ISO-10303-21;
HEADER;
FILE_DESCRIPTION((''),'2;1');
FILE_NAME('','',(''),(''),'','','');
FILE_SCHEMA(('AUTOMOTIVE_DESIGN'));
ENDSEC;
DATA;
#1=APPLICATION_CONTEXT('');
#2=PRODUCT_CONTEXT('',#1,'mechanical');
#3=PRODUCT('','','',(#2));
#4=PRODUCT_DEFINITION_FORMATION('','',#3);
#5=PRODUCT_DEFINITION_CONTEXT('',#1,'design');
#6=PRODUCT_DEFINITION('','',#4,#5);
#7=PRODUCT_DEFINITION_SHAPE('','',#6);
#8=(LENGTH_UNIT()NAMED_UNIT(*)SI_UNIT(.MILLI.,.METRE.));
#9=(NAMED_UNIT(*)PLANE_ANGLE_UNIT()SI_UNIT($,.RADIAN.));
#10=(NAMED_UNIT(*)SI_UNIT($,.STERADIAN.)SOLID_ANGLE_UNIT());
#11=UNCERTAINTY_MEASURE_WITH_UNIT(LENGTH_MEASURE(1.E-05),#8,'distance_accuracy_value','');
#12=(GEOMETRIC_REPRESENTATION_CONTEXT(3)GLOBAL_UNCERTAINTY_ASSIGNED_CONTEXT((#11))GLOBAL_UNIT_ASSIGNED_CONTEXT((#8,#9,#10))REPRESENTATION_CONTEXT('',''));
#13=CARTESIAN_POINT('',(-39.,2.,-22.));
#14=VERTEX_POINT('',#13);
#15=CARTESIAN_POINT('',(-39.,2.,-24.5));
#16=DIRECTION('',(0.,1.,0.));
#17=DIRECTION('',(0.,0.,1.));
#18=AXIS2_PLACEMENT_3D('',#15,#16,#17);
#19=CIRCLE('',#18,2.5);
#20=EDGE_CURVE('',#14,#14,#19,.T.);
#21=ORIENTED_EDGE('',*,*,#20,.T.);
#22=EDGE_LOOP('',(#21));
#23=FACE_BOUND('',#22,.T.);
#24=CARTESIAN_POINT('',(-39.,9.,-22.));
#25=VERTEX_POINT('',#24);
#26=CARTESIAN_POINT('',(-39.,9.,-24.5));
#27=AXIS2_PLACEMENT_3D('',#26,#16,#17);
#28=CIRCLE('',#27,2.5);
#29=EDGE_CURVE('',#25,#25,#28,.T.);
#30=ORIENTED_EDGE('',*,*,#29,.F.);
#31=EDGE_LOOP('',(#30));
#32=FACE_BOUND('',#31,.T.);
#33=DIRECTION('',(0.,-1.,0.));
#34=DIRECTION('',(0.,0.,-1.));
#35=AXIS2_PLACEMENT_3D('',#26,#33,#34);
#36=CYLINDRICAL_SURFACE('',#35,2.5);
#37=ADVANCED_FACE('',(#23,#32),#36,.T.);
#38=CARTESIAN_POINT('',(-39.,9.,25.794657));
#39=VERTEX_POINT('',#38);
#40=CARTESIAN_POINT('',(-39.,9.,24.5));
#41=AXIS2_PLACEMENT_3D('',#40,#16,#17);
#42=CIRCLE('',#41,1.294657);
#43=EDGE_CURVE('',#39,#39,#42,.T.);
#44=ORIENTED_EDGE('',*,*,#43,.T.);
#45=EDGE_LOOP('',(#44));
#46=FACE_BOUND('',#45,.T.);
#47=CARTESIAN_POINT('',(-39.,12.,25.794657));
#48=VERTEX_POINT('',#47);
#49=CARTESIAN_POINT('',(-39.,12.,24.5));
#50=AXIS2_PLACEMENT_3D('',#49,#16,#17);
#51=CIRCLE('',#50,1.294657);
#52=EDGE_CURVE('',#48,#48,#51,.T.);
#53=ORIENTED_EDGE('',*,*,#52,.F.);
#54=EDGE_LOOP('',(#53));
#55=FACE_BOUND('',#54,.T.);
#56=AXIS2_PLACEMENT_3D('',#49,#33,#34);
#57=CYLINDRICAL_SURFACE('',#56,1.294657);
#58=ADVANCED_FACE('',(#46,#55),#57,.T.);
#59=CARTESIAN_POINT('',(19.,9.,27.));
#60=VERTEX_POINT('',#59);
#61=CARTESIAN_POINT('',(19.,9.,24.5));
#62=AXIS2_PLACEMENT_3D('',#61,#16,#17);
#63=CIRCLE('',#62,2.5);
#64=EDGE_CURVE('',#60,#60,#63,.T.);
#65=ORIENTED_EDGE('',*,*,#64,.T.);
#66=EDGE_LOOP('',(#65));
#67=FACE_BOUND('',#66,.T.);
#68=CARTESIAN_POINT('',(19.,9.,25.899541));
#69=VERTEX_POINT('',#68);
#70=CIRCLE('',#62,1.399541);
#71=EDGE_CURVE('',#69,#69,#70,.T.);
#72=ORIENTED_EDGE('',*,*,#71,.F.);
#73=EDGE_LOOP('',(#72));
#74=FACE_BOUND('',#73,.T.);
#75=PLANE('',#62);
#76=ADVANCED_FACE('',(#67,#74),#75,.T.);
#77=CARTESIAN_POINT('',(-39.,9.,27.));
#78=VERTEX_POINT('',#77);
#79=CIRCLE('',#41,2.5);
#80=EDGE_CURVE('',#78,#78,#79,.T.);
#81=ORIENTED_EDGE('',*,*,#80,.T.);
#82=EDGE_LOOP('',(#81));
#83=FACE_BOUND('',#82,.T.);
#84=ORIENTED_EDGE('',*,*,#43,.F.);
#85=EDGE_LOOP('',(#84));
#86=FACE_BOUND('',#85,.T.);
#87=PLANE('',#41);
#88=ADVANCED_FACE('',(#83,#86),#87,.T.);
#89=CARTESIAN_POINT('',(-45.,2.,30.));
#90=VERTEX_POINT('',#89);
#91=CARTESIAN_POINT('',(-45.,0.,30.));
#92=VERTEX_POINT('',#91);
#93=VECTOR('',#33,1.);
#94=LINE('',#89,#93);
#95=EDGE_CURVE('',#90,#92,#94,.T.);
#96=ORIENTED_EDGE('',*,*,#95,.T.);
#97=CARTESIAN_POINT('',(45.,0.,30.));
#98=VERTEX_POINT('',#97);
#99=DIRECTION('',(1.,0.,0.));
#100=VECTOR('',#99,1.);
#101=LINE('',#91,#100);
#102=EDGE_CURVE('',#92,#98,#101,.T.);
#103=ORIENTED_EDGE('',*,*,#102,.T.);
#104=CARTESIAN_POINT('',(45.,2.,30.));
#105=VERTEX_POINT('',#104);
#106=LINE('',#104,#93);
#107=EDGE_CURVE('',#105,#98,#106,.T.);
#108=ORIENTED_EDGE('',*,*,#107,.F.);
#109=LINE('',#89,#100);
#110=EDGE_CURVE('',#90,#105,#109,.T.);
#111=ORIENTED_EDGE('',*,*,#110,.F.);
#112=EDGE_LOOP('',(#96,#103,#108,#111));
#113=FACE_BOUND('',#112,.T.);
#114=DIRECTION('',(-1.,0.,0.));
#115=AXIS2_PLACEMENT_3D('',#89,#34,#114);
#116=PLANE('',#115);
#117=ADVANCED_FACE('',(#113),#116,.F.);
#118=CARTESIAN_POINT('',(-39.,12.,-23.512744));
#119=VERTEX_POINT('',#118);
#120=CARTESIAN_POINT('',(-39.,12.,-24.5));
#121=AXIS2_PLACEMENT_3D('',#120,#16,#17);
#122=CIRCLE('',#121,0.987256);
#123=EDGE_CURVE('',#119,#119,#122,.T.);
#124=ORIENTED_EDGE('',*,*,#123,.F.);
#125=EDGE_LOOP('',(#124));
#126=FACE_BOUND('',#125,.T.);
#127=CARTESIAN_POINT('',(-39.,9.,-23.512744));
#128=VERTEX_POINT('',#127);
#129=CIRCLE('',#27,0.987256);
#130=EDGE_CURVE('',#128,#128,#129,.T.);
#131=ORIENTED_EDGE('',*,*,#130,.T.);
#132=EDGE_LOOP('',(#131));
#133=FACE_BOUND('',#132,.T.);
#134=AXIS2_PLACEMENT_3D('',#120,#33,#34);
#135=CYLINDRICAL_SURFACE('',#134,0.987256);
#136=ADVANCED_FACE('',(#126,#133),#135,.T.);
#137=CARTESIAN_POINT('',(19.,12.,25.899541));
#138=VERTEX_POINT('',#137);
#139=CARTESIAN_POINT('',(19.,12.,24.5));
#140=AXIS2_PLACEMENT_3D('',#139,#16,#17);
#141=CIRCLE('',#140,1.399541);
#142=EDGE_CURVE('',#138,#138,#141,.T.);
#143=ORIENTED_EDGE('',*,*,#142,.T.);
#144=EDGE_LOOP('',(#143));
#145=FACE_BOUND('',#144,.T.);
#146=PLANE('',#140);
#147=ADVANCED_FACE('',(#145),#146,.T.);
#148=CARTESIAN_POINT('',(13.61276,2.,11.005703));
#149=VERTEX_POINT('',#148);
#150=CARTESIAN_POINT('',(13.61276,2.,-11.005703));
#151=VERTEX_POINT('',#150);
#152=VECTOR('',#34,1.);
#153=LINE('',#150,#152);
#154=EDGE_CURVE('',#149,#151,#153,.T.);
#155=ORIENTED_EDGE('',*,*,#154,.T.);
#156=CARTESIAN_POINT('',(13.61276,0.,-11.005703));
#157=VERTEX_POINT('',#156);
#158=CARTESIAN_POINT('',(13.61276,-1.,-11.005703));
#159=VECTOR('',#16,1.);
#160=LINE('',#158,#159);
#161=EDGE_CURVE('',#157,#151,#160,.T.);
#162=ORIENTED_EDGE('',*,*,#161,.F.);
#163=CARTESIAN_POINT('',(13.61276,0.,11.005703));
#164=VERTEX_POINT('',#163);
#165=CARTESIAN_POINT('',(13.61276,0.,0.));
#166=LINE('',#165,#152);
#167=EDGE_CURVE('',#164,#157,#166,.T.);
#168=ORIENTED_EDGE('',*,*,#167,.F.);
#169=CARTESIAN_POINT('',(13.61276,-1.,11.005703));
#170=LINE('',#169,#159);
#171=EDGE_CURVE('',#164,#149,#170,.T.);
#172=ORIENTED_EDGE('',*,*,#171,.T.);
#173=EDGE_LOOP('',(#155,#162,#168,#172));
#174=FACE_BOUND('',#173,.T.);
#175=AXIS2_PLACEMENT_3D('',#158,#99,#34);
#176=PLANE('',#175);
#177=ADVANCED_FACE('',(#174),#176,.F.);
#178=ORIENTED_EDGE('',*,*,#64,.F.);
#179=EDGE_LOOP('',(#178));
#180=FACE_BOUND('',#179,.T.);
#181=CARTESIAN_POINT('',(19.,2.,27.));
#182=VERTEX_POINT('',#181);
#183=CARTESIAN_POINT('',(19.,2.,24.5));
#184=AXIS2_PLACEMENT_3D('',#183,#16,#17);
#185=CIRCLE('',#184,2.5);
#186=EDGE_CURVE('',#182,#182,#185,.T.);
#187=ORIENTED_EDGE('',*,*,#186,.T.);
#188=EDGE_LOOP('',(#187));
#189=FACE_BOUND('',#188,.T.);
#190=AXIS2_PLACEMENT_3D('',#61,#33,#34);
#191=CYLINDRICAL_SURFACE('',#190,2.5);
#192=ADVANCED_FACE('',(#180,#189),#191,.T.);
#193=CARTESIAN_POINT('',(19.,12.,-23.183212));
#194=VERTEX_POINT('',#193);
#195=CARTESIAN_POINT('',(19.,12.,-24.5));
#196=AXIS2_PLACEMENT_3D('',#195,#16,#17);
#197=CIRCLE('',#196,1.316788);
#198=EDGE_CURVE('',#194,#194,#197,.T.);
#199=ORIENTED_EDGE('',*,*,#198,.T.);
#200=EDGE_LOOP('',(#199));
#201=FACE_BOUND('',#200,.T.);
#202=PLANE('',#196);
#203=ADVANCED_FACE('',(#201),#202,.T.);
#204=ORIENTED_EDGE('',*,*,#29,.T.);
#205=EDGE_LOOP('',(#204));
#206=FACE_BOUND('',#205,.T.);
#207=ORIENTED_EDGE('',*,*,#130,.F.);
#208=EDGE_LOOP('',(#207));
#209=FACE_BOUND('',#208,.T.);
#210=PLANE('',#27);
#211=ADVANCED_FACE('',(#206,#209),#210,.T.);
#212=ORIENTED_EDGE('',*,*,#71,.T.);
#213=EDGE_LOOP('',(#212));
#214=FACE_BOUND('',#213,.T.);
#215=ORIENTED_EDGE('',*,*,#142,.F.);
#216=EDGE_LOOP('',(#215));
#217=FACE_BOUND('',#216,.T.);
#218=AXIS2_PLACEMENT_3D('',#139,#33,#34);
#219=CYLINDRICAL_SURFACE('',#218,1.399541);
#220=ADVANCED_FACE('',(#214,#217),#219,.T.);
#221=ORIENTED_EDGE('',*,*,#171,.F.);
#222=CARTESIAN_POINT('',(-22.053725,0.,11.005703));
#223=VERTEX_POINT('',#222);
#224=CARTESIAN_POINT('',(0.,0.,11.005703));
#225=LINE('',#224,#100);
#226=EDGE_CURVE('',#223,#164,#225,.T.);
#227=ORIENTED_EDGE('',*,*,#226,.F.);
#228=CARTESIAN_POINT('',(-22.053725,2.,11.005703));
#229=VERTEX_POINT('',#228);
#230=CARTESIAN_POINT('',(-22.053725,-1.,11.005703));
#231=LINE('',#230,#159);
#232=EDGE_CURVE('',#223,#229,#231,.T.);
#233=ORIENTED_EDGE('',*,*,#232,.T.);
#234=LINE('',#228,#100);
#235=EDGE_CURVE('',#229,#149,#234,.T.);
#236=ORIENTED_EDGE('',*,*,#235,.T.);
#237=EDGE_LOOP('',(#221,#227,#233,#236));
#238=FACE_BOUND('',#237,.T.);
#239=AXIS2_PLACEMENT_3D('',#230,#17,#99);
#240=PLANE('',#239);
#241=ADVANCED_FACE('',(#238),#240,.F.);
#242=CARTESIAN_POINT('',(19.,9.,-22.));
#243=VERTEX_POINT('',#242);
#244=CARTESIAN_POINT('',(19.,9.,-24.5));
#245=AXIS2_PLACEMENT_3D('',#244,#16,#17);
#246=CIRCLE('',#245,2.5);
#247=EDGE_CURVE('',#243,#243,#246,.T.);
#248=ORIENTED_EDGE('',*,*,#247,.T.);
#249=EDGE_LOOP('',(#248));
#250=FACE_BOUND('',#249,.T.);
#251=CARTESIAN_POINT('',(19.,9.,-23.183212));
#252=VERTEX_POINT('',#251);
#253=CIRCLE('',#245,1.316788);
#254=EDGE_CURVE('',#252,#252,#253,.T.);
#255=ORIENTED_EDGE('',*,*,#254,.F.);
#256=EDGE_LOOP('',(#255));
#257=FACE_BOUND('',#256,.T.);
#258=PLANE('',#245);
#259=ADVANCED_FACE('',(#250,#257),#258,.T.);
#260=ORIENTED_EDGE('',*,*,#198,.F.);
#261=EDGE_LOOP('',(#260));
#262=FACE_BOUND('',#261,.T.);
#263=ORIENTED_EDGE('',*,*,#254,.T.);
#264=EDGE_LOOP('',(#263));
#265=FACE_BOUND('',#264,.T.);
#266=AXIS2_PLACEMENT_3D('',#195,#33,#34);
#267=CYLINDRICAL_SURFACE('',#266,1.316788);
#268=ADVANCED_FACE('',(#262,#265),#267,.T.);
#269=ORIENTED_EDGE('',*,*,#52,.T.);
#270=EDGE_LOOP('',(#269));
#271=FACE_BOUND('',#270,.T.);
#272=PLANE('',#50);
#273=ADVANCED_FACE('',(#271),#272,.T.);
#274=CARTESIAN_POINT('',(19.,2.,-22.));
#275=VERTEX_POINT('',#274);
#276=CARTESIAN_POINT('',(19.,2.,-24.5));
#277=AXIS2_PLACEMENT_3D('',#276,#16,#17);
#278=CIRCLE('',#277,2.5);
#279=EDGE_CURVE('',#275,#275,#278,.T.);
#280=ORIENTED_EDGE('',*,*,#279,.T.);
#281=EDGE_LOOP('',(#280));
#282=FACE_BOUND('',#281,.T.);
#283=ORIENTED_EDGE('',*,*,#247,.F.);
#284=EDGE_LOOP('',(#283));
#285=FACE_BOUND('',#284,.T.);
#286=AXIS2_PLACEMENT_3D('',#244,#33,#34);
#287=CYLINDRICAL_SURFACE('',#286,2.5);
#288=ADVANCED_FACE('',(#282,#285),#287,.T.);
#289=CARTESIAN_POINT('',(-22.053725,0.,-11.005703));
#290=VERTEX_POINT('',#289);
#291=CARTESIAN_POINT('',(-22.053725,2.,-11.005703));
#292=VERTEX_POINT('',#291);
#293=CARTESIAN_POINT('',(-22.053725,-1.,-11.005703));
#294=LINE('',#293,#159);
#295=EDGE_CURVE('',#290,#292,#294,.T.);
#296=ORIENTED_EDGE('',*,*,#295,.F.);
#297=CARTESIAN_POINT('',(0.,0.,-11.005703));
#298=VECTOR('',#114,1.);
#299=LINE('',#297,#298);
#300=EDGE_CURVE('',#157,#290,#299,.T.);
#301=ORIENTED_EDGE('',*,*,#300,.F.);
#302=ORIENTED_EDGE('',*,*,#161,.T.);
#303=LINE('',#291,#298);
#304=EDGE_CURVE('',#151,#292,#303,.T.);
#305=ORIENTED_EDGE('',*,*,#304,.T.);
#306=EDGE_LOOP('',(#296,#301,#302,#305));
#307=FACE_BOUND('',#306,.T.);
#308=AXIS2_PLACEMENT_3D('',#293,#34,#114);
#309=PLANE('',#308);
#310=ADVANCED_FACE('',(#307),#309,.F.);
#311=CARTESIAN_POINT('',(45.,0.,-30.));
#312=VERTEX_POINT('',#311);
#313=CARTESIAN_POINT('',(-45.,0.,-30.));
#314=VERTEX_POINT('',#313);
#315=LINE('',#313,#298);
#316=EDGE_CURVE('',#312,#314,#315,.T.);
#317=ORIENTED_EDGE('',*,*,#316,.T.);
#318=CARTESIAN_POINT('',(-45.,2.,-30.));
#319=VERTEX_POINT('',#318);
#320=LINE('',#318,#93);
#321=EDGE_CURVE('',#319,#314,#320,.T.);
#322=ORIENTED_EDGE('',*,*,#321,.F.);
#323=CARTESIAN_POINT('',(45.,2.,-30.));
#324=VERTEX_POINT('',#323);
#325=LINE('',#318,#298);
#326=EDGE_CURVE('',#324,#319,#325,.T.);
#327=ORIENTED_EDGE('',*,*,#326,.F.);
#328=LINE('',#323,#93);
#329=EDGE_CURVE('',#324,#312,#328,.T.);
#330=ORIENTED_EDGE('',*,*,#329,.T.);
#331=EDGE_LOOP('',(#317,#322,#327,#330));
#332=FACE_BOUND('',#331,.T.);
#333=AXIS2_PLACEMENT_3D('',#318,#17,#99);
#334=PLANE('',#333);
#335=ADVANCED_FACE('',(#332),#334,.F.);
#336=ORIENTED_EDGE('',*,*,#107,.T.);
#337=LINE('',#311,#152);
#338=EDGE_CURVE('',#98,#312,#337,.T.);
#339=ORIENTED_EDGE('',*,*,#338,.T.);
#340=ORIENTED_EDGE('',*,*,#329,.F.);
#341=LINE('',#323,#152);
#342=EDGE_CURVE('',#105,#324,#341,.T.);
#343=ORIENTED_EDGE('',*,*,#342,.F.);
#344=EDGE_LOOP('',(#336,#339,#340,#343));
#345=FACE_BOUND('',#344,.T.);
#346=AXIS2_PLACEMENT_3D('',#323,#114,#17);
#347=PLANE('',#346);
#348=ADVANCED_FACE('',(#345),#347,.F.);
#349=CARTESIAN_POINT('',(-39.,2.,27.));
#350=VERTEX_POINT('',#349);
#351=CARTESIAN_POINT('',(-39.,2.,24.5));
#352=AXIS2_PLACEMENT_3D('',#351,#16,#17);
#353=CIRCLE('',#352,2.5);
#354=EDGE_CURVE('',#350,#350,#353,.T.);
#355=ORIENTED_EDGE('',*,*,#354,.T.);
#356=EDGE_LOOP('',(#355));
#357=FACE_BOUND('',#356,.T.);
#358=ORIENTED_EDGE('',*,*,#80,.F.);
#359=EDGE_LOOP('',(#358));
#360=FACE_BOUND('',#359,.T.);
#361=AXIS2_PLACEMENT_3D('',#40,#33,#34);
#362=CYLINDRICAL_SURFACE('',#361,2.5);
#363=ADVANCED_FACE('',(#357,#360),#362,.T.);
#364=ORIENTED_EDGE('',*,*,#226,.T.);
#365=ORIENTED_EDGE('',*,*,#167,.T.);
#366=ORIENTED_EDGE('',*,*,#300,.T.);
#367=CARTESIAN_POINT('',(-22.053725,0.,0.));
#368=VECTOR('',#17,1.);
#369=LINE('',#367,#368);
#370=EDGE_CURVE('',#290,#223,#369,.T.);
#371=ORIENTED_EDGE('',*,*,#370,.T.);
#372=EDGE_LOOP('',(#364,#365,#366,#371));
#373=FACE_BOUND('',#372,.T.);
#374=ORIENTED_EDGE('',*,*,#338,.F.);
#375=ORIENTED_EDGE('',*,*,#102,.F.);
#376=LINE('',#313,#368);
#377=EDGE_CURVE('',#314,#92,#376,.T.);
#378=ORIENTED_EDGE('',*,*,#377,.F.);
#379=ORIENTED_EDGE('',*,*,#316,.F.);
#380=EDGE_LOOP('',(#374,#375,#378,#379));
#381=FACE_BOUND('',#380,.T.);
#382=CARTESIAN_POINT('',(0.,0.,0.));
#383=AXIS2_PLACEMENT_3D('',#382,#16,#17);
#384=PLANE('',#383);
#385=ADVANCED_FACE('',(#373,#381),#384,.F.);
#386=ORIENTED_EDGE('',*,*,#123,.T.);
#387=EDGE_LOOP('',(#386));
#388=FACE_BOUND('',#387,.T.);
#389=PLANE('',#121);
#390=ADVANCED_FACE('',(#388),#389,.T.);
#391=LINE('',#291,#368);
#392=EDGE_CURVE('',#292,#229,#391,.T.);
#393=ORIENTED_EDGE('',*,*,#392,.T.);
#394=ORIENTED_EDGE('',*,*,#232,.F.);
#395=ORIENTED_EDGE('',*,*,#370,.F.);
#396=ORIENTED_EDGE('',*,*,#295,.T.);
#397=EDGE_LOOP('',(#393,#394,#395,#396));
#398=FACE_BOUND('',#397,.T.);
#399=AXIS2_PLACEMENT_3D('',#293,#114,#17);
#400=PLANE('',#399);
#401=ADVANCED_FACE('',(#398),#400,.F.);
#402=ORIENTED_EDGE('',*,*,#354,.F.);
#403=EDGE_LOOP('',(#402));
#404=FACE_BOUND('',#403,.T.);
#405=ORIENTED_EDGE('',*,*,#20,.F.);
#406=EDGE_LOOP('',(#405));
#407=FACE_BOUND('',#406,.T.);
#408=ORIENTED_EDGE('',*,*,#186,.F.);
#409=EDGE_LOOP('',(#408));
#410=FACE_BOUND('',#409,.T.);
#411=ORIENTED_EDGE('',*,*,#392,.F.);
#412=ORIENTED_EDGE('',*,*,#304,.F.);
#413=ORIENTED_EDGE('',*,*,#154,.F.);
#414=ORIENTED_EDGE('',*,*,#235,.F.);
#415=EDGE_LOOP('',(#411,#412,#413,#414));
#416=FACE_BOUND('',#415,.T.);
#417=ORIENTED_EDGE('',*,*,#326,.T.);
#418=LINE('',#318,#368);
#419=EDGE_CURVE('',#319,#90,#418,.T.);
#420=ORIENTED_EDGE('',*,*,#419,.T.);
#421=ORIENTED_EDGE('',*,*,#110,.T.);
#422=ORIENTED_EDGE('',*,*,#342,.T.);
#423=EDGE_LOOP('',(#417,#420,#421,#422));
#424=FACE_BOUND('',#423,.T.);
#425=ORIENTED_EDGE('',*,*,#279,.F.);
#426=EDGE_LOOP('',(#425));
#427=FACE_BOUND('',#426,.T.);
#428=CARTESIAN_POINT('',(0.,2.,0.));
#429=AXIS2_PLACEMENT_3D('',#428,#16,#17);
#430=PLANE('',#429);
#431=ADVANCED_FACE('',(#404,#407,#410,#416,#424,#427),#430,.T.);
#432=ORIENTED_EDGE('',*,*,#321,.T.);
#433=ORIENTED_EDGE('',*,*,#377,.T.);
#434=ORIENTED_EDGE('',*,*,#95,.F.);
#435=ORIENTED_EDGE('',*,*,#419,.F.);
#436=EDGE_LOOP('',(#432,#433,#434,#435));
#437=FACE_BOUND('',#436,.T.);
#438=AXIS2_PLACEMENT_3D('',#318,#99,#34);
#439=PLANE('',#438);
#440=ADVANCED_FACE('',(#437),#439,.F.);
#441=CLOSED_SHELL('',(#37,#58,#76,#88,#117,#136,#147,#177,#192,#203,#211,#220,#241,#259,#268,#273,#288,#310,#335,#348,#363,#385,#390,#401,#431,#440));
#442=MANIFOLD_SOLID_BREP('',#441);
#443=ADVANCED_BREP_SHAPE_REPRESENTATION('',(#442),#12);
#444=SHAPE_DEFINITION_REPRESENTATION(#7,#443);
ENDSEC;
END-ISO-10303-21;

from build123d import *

# Parameters (mm, degrees)
CROQUIS1_W              = 90
CROQUIS1_H              = 60
SALIENTE_EXTRUIR1_DEPTH = 2
CROQUIS2_R              = 2.5
SALIENTE_EXTRUIR2_DEPTH = 7
CROQUIS3_R              = 0.98725552
CROQUIS3_R_2            = 1.31678764
CROQUIS3_R_3            = 1.399541148
CROQUIS3_R_4            = 1.294656753
SALIENTE_EXTRUIR3_DEPTH = 3
CROQUIS4_W              = 35.666485166
CROQUIS4_H              = 22.011405482
CORTAR_EXTRUIR1_DEPTH   = 3


with BuildPart() as part:
    # Croquis1 → Saliente-Extruir1 (new body)
    with BuildSketch(Plane(origin=(0, 0, 0), x_dir=(1, 0, 0), z_dir=(0, 1, 0))):
        Rectangle(CROQUIS1_W, CROQUIS1_H)
    extrude(amount=SALIENTE_EXTRUIR1_DEPTH)

    # Croquis2 → Saliente-Extruir2 (add)
    with BuildSketch(Plane(origin=(0, 2, 0), x_dir=(1, 0, 0), z_dir=(0, 1, 0))):
        with Locations((-39, 24.5)):
            Circle(CROQUIS2_R)
        with Locations((19, 24.5)):
            Circle(CROQUIS2_R)
        with Locations((19, -24.5)):
            Circle(CROQUIS2_R)
        with Locations((-39, -24.5)):
            Circle(CROQUIS2_R)
    extrude(amount=SALIENTE_EXTRUIR2_DEPTH)

    # Croquis3 → Saliente-Extruir3 (add)
    with BuildSketch(Plane(origin=(0, 9, 0), x_dir=(1, 0, 0), z_dir=(0, 1, 0))):
        with Locations((-39, 24.5)):
            Circle(CROQUIS3_R)
        with Locations((19, 24.5)):
            Circle(CROQUIS3_R_2)
        with Locations((19, -24.5)):
            Circle(CROQUIS3_R_3)
        with Locations((-39, -24.5)):
            Circle(CROQUIS3_R_4)
    extrude(amount=SALIENTE_EXTRUIR3_DEPTH)

    # Croquis4 → Cortar-Extruir1 (cut)
    with BuildSketch(Plane(origin=(0, 2, 0), x_dir=(1, 0, 0), z_dir=(0, 1, 0))):
        with Locations((-4.220482568, 0)):
            Rectangle(CROQUIS4_W, CROQUIS4_H)
    extrude(amount=-CORTAR_EXTRUIR1_DEPTH, mode=Mode.SUBTRACT)


solid = part.part
